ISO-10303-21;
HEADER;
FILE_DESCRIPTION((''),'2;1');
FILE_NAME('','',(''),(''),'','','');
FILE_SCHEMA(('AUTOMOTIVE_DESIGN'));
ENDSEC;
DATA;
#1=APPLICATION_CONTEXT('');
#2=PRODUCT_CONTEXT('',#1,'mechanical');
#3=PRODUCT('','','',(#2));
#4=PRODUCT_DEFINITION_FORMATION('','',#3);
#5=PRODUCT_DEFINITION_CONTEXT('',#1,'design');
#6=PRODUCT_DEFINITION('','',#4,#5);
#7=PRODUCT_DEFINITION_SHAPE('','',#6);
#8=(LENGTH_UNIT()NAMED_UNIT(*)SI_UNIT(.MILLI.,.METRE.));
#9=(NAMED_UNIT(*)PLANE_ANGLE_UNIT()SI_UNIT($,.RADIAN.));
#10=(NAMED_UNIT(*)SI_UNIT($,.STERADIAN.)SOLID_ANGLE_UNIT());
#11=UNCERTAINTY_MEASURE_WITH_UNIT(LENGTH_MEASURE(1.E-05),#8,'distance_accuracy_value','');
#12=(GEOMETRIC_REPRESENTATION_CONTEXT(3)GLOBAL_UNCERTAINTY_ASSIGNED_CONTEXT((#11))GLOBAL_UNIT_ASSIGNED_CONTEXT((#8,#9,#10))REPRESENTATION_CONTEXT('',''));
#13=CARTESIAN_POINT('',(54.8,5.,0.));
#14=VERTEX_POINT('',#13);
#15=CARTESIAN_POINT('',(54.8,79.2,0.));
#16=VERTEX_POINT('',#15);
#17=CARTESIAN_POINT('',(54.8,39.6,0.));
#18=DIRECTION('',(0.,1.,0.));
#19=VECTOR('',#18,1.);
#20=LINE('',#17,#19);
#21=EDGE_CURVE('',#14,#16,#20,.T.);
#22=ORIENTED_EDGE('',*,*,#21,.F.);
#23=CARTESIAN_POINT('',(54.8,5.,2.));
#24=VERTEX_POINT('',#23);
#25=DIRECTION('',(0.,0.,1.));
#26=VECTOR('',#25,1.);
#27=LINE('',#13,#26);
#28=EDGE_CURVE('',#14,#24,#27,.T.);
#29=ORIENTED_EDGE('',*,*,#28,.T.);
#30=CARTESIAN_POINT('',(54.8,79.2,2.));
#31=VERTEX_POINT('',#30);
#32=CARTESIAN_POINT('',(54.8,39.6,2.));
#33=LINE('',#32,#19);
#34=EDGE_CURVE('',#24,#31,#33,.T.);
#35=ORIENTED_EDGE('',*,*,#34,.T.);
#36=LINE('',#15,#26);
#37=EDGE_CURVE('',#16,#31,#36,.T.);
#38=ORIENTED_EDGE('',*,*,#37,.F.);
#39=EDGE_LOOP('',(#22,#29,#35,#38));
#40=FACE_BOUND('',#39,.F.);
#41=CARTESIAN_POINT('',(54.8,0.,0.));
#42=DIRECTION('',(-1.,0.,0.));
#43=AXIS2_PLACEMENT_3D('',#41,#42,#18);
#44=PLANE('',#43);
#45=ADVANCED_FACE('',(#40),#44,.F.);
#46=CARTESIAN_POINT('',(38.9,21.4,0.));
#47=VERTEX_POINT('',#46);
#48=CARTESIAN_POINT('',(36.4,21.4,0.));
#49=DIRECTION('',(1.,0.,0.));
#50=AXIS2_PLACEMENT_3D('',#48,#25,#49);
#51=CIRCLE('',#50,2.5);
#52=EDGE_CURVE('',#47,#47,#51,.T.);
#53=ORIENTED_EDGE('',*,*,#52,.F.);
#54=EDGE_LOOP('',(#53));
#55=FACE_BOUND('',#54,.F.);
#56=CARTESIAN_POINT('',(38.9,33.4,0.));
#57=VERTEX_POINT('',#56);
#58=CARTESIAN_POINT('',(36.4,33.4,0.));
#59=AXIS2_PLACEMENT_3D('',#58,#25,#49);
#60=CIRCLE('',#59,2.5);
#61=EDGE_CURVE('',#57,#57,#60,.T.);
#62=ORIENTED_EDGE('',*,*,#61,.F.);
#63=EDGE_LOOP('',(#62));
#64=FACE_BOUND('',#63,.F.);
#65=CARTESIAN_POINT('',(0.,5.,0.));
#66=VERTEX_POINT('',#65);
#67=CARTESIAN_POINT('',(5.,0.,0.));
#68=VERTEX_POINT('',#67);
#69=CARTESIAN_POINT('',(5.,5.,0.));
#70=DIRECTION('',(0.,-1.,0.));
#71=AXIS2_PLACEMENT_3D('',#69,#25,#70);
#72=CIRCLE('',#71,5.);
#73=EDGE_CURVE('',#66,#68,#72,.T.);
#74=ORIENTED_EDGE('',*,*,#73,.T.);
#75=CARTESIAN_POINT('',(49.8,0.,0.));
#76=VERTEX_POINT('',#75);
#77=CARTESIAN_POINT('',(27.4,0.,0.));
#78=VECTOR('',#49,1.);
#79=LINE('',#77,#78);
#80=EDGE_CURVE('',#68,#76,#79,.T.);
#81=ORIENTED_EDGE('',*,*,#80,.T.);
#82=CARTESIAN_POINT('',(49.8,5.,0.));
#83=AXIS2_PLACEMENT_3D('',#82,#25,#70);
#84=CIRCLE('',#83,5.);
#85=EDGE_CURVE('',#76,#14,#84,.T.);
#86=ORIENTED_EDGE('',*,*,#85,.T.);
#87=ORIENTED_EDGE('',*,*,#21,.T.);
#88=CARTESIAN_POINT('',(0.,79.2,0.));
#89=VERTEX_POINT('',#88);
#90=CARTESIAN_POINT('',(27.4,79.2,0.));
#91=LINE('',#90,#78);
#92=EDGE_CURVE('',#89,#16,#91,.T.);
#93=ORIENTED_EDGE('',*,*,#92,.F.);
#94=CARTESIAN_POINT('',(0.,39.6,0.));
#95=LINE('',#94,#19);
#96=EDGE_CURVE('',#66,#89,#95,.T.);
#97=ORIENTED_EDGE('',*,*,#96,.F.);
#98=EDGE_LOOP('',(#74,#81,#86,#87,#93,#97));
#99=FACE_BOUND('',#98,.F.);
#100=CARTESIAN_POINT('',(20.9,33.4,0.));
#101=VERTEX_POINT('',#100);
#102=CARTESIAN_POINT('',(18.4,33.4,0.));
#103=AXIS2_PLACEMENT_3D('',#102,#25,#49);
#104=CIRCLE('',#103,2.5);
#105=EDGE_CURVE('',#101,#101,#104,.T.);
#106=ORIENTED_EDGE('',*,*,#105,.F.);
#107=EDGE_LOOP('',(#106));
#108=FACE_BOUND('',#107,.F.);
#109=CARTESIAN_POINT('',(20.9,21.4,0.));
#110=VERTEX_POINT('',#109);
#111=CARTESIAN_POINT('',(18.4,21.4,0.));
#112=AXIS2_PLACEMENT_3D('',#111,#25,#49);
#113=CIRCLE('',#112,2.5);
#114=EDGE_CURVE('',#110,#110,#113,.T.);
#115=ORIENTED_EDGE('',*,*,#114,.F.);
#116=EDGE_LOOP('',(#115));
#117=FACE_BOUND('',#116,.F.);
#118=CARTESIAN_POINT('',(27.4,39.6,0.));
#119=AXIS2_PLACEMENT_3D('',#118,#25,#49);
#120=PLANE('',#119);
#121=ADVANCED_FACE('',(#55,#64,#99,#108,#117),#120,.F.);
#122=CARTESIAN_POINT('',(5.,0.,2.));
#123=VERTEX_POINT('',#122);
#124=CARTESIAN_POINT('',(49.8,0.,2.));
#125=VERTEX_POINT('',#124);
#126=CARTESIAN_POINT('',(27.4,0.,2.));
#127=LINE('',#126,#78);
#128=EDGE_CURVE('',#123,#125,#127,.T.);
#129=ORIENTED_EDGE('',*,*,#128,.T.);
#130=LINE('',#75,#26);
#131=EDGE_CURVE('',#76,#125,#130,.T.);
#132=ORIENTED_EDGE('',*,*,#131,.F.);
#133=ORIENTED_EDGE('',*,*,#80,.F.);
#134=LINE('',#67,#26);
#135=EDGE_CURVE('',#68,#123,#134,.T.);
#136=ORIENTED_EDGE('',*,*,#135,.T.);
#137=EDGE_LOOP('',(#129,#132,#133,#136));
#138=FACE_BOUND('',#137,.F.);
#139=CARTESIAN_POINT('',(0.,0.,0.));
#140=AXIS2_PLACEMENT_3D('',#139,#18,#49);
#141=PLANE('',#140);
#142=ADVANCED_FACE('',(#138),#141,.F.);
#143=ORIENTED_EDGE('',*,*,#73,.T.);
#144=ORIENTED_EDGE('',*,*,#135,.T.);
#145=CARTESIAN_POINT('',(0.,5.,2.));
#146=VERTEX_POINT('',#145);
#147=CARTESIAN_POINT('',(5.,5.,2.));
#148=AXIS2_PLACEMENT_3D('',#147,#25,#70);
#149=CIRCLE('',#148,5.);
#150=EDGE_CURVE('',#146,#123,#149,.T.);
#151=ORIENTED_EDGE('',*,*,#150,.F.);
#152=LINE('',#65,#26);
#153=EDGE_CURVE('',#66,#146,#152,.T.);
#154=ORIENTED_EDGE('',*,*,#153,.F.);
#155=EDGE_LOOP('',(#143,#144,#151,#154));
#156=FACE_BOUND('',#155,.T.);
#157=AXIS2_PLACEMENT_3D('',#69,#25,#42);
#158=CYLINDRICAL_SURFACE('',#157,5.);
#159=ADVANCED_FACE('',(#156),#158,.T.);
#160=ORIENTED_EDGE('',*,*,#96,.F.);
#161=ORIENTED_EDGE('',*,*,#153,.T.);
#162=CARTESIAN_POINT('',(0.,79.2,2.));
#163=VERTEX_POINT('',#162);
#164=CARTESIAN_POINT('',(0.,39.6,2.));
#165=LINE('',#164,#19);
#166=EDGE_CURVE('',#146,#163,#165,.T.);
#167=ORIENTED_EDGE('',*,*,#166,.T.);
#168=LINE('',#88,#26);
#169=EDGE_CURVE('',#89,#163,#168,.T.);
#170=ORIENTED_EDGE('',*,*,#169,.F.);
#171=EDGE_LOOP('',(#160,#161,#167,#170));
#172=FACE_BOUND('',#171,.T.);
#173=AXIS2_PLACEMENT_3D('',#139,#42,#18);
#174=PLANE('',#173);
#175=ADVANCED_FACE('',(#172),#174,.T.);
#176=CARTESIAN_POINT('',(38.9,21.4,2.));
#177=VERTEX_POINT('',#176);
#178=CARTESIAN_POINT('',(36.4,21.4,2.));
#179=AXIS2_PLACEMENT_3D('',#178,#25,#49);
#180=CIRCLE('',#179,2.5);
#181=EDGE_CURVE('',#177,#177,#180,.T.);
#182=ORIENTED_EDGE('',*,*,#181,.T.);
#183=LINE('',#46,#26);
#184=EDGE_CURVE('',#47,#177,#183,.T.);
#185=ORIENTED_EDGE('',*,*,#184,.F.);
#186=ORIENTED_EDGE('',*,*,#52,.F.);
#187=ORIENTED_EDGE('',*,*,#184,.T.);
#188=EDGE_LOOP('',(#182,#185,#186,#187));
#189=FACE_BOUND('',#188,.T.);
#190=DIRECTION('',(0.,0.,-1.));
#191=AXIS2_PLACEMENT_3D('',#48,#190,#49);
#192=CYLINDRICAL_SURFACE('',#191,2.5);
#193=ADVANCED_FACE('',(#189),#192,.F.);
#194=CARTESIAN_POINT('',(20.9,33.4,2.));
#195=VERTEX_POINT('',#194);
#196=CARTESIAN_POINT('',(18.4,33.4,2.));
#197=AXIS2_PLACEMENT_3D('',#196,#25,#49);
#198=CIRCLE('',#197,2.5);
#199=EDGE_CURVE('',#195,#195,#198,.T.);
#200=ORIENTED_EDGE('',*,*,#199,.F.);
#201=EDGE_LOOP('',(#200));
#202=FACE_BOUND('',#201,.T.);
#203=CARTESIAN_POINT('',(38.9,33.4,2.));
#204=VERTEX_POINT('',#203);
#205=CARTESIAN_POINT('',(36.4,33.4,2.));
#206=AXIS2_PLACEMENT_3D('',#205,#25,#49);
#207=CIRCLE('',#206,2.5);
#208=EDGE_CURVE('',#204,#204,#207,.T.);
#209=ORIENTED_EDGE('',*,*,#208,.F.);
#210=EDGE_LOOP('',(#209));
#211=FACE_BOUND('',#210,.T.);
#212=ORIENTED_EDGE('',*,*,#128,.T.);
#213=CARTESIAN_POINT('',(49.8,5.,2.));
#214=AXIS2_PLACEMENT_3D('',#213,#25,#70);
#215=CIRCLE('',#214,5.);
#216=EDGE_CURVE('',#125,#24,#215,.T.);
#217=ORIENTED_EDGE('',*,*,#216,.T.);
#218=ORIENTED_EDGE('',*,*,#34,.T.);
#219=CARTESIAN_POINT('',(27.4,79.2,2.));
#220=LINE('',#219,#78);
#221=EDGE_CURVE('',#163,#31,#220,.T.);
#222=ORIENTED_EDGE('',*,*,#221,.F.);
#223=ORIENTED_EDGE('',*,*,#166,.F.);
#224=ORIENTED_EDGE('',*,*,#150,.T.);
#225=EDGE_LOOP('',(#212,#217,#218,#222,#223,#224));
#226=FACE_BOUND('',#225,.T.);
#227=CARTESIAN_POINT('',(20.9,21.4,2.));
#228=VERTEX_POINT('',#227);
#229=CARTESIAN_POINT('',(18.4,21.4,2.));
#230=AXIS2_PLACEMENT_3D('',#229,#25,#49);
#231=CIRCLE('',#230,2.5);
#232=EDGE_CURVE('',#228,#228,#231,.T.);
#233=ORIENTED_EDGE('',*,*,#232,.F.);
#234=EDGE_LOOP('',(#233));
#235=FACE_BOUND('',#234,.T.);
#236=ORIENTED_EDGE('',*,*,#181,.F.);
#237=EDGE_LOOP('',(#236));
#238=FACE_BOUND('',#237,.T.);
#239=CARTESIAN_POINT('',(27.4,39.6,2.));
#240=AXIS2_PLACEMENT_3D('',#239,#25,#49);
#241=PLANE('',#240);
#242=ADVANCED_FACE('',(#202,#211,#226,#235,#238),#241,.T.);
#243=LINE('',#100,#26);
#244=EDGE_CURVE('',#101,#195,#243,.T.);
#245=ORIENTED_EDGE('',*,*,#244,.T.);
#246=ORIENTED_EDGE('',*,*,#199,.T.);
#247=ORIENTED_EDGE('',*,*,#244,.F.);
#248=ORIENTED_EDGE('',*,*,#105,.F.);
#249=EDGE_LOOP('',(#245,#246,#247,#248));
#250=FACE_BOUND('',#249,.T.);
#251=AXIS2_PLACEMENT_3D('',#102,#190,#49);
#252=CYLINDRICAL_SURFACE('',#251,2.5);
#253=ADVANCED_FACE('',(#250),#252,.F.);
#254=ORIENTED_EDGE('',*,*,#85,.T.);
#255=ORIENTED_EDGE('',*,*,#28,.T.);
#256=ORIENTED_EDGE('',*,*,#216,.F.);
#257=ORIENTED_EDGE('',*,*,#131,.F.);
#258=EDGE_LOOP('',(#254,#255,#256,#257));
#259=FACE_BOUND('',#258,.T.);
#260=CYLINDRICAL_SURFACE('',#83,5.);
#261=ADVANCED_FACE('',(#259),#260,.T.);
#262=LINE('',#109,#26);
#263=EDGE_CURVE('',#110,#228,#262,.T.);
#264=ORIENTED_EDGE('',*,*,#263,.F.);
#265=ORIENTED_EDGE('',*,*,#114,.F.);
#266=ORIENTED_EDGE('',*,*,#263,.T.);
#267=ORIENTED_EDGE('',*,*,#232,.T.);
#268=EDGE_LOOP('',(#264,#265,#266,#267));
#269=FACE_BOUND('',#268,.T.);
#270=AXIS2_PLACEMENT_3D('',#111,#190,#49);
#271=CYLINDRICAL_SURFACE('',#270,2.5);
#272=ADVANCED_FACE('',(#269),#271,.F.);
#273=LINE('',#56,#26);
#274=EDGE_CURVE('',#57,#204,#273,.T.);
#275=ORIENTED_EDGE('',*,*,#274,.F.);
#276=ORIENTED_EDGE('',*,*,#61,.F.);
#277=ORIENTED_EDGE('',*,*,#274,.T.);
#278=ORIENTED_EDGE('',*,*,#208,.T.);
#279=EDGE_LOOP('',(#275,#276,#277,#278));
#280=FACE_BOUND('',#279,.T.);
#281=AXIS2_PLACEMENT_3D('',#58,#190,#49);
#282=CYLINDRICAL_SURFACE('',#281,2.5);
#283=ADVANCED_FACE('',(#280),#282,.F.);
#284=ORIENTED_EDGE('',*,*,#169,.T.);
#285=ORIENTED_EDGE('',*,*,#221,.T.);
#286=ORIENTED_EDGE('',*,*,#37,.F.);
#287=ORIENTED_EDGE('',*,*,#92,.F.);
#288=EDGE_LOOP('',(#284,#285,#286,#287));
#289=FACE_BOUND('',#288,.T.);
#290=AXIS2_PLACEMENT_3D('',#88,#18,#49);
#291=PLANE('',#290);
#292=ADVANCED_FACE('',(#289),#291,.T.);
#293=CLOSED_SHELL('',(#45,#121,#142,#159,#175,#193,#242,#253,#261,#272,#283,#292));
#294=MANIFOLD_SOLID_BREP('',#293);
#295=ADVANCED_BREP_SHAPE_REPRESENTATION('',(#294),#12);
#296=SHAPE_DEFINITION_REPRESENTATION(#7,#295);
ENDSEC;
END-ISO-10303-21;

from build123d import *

# Parameters (mm, degrees)
F0_W     = 54.8
F0_H     = 79.2
F0_R     = 2.5
F1_DEPTH = 2
F2_R     = 5


with BuildPart() as f1:
    # F0 (on Top) → F1 (new body)
    with BuildSketch(Plane.XY):
        with Locations((27.4, 39.6)):
            Rectangle(F0_W, F0_H)
        with Locations((18.4, 21.4)):
            Circle(F0_R, mode=Mode.SUBTRACT)
        with Locations((18.4, 33.4)):
            Circle(F0_R, mode=Mode.SUBTRACT)
        with Locations((36.4, 21.4)):
            Circle(F0_R, mode=Mode.SUBTRACT)
        with Locations((36.4, 33.4)):
            Circle(F0_R, mode=Mode.SUBTRACT)
    extrude(amount=F1_DEPTH)

    # F2
    f2_edges = [f1.edges().sort_by_distance(p)[0] for p in [
        (54.8, 0, 1),
        (0, 0, 1),
    ]]
    fillet(f2_edges, radius=F2_R)


solid = f1.part
